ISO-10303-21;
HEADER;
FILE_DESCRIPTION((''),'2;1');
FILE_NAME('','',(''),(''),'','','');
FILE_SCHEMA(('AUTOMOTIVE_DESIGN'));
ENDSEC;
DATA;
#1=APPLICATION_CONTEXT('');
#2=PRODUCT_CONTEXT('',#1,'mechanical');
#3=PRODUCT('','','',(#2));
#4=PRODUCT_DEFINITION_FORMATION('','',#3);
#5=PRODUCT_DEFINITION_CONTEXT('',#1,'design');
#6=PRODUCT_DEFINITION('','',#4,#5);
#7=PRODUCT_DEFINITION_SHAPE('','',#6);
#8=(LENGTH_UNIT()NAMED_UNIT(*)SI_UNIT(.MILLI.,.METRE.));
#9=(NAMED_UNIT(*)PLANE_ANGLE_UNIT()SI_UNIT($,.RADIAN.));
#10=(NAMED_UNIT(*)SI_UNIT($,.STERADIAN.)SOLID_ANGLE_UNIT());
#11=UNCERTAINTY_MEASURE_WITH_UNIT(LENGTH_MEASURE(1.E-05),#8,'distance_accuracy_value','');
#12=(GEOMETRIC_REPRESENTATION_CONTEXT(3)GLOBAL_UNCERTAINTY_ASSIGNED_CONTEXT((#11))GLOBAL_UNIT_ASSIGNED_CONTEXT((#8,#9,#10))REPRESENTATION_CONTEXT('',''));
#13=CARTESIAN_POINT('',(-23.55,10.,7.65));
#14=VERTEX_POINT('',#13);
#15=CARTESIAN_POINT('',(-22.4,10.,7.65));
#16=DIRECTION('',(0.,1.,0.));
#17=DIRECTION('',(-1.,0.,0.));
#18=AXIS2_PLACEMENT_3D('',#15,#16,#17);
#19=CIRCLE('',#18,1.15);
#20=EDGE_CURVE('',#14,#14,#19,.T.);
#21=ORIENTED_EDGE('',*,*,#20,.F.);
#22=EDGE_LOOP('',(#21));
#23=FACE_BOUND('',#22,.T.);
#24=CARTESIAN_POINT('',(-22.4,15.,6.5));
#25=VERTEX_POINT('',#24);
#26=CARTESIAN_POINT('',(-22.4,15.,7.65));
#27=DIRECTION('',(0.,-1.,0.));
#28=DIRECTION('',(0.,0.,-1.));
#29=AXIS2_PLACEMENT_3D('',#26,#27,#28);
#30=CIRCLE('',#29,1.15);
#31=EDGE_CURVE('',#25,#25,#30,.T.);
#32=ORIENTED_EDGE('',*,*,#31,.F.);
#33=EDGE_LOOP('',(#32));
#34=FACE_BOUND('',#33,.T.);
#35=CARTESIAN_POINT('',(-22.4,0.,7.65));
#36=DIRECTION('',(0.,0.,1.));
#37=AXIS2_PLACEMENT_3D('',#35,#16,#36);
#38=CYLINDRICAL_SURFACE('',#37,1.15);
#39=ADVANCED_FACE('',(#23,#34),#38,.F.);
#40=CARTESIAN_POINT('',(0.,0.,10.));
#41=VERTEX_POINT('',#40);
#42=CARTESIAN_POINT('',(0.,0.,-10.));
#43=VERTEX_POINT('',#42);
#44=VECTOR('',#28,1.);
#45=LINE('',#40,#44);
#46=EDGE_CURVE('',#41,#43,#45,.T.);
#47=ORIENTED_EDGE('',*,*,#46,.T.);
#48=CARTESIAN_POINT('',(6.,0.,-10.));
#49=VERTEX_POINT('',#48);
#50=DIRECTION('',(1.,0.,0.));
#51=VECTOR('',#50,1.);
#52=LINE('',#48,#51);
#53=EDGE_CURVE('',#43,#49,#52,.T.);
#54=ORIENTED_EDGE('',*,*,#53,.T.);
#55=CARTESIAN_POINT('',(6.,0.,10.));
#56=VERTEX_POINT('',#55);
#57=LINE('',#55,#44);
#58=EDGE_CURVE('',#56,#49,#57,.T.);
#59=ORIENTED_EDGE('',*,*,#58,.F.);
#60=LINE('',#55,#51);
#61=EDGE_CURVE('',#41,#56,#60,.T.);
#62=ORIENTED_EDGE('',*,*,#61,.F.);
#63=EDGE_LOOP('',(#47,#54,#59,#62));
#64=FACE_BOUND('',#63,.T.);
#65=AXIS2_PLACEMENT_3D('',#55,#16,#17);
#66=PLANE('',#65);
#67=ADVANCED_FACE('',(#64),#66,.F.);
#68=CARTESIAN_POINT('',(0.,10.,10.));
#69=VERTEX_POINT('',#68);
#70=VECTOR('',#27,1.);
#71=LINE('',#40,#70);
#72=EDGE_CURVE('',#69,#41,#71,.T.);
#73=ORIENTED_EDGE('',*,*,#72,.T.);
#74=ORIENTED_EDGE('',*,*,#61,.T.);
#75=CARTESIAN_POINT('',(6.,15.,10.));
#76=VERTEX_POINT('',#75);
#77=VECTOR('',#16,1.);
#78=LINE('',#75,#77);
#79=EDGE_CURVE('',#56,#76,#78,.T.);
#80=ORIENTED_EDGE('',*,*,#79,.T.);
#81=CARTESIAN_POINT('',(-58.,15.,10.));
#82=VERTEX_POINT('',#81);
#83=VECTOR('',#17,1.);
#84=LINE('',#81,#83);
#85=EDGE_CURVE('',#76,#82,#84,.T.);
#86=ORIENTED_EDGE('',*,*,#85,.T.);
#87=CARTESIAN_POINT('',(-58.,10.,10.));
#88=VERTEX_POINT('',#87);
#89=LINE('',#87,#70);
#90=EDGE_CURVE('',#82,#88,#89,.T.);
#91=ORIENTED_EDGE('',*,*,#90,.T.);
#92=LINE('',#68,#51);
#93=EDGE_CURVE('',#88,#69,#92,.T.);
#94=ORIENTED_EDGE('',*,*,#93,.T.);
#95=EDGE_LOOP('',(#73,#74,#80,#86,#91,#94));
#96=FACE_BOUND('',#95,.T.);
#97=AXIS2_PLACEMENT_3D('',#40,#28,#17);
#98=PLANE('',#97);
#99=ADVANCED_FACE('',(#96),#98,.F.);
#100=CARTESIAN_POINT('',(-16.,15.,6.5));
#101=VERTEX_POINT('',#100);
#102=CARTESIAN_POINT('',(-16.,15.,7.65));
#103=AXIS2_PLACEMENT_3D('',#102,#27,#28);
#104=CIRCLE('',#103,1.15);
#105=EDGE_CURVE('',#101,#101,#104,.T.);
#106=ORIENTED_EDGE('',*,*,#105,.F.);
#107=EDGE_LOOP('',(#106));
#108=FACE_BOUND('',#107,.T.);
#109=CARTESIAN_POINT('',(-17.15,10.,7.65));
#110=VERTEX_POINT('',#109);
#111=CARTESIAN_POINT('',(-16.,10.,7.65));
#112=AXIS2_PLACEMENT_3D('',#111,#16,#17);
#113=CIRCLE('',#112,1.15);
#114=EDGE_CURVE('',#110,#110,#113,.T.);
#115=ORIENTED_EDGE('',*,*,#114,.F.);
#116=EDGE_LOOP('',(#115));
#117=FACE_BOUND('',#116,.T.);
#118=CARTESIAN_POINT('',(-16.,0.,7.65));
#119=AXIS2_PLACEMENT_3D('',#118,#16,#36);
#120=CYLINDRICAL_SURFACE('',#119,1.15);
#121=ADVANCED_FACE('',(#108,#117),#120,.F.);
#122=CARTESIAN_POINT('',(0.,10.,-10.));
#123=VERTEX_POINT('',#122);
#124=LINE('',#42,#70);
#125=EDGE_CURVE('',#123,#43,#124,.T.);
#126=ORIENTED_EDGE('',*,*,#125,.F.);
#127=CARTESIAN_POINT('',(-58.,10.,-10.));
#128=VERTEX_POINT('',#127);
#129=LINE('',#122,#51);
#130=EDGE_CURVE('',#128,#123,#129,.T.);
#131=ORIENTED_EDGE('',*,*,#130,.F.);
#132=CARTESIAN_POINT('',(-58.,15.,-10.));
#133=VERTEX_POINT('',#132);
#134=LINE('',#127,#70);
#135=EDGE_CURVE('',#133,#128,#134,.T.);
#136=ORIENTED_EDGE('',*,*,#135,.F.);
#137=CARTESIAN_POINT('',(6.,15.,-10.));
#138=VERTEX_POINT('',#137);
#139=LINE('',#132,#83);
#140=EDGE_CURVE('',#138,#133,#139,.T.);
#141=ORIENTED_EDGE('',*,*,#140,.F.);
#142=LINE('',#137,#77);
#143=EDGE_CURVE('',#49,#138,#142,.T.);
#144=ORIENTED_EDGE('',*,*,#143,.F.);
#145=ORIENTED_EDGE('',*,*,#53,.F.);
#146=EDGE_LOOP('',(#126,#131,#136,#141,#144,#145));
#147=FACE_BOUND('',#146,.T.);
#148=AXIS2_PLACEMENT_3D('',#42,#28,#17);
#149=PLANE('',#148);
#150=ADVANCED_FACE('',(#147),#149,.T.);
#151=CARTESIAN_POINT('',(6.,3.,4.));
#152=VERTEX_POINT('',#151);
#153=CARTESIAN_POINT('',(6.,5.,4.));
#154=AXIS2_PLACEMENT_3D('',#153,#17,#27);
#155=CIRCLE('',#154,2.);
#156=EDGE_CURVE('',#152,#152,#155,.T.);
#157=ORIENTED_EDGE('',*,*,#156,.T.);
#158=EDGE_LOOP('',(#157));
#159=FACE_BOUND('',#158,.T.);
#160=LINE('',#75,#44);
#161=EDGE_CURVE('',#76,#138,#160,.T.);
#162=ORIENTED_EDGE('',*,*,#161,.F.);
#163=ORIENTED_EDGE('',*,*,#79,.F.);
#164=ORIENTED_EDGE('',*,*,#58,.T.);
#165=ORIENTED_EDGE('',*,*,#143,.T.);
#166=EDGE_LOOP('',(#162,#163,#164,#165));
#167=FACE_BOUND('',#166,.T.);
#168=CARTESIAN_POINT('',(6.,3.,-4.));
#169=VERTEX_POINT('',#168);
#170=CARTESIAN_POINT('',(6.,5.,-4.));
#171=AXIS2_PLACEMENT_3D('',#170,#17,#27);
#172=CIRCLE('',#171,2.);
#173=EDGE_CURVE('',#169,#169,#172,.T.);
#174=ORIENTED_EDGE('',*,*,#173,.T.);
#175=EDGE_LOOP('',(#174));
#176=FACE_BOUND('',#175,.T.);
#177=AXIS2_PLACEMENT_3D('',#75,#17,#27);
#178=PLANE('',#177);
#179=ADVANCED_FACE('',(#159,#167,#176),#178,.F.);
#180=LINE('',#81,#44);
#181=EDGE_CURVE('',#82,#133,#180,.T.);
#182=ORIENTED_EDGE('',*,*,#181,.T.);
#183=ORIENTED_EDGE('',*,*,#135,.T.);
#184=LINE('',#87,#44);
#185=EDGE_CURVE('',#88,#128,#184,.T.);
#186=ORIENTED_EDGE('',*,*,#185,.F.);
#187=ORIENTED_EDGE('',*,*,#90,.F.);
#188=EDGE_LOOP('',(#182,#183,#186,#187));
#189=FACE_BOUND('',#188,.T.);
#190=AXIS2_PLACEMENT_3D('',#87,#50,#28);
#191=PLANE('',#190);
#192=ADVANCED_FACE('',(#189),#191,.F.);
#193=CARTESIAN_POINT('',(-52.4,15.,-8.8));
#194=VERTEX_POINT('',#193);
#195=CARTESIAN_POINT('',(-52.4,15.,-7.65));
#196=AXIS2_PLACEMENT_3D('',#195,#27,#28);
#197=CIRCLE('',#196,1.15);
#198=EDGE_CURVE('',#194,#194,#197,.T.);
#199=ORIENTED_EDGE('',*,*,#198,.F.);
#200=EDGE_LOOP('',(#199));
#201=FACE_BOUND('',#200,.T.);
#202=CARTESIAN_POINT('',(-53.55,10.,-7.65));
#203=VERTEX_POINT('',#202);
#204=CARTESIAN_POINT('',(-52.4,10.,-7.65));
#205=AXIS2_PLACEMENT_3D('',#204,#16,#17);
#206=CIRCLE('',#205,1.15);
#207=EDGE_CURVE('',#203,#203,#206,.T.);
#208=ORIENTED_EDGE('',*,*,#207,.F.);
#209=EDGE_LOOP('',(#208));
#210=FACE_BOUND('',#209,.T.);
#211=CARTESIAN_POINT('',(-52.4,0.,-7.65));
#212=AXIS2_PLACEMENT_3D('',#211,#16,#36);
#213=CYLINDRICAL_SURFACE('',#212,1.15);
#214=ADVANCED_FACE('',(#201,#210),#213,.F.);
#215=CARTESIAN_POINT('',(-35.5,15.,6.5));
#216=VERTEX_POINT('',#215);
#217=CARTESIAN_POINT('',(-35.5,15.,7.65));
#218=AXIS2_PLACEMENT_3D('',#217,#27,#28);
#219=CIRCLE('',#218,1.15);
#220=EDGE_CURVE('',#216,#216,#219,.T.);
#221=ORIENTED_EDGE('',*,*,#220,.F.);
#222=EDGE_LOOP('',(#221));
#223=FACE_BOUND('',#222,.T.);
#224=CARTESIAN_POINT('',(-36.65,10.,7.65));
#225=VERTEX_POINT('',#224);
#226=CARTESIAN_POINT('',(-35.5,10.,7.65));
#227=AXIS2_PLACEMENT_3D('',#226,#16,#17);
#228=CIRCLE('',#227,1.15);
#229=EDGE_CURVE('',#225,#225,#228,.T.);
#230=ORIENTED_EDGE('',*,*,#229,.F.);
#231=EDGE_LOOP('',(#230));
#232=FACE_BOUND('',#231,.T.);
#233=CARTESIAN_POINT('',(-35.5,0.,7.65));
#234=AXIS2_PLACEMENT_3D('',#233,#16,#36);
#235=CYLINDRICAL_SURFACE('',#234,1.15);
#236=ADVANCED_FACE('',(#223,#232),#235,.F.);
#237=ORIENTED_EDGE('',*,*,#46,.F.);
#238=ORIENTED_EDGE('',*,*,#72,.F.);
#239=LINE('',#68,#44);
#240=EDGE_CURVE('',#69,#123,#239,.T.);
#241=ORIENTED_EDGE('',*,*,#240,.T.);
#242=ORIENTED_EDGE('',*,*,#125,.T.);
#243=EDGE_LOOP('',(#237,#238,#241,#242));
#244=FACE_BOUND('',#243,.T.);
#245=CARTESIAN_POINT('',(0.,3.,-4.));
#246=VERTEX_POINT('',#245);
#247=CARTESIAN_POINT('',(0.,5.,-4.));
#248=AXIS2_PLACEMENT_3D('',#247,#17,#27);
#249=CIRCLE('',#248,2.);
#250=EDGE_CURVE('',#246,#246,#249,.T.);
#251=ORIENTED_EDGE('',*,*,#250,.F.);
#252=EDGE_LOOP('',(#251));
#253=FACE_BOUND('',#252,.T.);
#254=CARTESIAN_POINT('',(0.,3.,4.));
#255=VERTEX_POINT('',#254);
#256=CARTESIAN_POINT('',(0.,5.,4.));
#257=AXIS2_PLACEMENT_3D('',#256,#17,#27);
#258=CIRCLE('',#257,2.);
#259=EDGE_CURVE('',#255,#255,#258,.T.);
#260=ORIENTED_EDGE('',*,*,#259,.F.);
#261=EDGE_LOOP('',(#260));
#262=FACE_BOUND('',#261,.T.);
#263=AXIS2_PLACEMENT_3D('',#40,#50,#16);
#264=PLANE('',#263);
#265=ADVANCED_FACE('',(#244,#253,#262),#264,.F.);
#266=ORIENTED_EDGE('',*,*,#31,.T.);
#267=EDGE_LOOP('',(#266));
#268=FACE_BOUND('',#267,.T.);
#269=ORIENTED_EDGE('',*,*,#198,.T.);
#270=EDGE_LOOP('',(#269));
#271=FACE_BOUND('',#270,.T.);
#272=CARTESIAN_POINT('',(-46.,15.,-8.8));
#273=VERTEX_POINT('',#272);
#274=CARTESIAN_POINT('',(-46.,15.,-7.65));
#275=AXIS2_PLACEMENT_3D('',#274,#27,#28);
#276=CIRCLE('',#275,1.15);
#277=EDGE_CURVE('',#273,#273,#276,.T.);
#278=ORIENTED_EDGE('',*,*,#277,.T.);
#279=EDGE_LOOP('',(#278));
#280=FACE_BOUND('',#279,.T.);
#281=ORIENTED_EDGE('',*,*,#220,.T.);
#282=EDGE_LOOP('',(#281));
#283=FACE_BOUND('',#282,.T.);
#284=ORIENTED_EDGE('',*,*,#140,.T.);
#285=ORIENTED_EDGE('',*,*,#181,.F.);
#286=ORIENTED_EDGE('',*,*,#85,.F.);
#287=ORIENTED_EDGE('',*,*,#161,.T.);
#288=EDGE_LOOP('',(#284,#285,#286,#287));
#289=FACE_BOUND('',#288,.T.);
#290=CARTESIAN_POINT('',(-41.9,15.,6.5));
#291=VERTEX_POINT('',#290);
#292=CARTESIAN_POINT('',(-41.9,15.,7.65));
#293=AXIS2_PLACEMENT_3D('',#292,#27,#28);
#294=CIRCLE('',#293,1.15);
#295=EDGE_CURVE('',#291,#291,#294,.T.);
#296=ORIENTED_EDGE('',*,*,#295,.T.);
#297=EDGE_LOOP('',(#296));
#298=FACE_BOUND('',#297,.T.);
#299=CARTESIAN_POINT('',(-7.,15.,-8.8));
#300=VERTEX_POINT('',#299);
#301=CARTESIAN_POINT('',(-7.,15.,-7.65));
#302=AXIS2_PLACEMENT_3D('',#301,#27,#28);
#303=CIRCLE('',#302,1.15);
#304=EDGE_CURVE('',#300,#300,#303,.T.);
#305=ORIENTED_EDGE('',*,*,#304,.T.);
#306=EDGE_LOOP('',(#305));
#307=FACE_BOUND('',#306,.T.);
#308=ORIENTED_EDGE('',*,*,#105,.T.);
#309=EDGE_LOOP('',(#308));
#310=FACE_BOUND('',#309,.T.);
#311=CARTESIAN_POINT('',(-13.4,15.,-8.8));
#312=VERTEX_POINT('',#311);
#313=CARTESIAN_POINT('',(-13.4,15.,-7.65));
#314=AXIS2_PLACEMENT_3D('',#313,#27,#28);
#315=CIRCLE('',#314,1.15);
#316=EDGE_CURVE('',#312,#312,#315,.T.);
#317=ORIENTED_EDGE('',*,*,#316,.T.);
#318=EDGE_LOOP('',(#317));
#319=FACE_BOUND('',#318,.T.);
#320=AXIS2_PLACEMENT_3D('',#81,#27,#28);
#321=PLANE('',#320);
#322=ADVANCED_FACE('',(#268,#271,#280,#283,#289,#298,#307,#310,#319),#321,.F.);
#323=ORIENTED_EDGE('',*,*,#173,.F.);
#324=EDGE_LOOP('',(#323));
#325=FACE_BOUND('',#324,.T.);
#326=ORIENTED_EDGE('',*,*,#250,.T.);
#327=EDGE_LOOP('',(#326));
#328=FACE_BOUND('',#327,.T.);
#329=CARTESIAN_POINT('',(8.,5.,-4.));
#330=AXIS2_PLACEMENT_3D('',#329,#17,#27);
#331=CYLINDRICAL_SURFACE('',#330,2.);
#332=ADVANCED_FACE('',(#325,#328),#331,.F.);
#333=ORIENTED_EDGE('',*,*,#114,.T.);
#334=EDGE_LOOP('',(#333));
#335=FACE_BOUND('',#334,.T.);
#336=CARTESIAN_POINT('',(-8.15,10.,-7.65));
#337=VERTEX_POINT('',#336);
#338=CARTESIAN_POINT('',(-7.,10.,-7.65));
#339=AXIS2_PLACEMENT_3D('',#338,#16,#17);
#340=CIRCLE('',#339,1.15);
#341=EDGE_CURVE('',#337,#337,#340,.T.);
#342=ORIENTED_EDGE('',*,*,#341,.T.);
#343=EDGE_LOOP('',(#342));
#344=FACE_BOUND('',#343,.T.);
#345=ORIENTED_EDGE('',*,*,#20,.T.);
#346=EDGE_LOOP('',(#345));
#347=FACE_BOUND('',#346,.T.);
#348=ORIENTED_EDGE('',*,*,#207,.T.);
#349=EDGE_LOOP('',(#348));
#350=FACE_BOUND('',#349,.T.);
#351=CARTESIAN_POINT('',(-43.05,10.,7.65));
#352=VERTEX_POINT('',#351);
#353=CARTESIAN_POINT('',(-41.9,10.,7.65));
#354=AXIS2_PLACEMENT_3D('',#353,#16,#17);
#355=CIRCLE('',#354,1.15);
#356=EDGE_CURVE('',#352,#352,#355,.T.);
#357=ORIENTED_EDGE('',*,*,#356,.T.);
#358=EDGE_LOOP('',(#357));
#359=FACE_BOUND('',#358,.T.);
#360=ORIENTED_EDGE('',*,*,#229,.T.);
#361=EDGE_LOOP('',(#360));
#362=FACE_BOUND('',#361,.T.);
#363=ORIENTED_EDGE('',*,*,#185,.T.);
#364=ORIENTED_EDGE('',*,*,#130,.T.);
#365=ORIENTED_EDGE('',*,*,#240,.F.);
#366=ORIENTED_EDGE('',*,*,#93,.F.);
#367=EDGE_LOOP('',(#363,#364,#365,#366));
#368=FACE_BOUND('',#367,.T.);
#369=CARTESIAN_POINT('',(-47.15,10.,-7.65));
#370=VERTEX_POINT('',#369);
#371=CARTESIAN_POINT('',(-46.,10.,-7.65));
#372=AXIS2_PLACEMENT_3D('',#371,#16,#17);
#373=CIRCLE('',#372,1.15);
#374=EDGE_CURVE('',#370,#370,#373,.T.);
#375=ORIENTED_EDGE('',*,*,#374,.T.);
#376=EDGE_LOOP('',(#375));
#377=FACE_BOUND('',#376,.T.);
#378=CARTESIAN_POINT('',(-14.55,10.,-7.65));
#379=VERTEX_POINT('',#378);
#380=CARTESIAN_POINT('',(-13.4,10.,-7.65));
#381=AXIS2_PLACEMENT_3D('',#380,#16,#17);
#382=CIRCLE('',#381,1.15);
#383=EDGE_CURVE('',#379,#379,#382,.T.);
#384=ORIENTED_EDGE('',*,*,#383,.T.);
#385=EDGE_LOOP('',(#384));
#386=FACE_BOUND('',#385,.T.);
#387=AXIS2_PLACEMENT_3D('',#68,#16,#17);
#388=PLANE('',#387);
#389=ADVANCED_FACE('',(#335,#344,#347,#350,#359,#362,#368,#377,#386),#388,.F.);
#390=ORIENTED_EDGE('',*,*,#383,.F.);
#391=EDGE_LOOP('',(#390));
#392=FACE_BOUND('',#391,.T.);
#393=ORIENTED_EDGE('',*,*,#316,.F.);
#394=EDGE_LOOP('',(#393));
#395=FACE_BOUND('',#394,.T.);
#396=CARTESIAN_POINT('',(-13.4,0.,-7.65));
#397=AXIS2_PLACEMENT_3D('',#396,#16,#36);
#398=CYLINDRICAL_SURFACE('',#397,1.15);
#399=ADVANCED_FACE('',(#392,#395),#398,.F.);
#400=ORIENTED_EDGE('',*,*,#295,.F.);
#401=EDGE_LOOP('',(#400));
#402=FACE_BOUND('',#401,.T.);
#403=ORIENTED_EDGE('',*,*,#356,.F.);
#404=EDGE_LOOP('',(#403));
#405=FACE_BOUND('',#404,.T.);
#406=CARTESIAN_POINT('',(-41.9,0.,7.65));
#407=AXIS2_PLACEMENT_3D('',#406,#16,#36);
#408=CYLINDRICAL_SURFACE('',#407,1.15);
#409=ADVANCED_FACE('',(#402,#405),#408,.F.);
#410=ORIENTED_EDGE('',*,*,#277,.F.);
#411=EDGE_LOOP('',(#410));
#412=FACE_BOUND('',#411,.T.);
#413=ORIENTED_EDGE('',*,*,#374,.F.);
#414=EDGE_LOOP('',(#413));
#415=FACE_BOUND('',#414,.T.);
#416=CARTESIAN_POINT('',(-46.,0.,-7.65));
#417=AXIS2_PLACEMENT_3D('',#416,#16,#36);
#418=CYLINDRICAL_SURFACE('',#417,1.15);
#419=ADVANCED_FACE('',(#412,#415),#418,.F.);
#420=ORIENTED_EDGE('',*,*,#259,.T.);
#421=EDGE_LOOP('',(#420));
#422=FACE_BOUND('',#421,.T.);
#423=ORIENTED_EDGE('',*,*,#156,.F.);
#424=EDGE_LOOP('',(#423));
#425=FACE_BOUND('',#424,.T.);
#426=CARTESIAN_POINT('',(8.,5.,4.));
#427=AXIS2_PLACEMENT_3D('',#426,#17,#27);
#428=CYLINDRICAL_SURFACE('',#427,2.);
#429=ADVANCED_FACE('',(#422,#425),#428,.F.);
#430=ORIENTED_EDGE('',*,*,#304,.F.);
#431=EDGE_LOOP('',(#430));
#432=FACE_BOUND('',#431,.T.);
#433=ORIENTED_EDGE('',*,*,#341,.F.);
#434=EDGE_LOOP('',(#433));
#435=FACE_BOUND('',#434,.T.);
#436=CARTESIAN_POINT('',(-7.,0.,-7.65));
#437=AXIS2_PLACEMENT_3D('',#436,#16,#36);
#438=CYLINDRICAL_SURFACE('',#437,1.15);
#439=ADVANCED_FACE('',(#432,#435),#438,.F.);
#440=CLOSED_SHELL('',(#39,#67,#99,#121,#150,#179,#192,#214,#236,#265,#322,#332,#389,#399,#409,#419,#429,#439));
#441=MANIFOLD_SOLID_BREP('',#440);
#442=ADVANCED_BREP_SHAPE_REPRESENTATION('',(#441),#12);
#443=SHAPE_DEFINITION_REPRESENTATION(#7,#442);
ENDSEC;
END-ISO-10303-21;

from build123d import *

# Parameters (mm, degrees)
RESSALTO_EXTRUS_O1_DEPTH   = 10
ESBO_O2_R                  = 2
CORTE_EXTRUS_O1_DEPTH      = 8
CORTE_EXTRUS_O2_DEPTH      = 61.737138556
CORTE_EXTRUS_O2_DEPTH_BACK = 61.737138556
ESBO_O3_R                  = 1.15


with BuildPart() as part:
    # Esboço1 → Ressalto-extrusão1 (new, symmetric)
    with BuildSketch(Plane.XY):
        Polygon((0, 0), (0, 10), (-58, 10), (-58, 15), (6, 15), (6, 0), align=None)
    extrude(amount=RESSALTO_EXTRUS_O1_DEPTH, both=True)

    # Esboço2 → Corte-extrusão1 (cut)
    with BuildSketch(Plane.ZY):
        with Locations(Location((-4, 5, 0), (0, 0, 270))):
            Circle(ESBO_O2_R)
        with Locations(Location((4, 5, 0), (0, 0, 270))):
            Circle(ESBO_O2_R)
    extrude(amount=-CORTE_EXTRUS_O1_DEPTH, mode=Mode.SUBTRACT)

    # Esboço3 → Corte-extrusão2 (cut, two sides: drawn at the far end of the back side and taken through both)
    with BuildSketch(Plane(origin=(0, 15, 0), x_dir=(1, 0, 0), z_dir=(0, 1, 0)).offset(-CORTE_EXTRUS_O2_DEPTH_BACK)):
        with Locations(Location((-16, -7.65, 0), (0, 0, 180))):
            Circle(ESBO_O3_R)
        with Locations(Location((-22.4, -7.65, 0), (0, 0, 180))):
            Circle(ESBO_O3_R)
        with Locations(Location((-35.5, -7.65, 0), (0, 0, 180))):
            Circle(ESBO_O3_R)
        with Locations(Location((-41.9, -7.65, 0), (0, 0, 180))):
            Circle(ESBO_O3_R)
        with Locations(Location((-46, 7.65, 0), (0, 0, 180))):
            Circle(ESBO_O3_R)
        with Locations(Location((-52.4, 7.65, 0), (0, 0, 180))):
            Circle(ESBO_O3_R)
        with Locations(Location((-13.4, 7.65, 0), (0, 0, 180))):
            Circle(ESBO_O3_R)
        with Locations(Location((-7, 7.65, 0), (0, 0, 180))):
            Circle(ESBO_O3_R)
    extrude(amount=CORTE_EXTRUS_O2_DEPTH + CORTE_EXTRUS_O2_DEPTH_BACK, mode=Mode.SUBTRACT)


solid = part.part
